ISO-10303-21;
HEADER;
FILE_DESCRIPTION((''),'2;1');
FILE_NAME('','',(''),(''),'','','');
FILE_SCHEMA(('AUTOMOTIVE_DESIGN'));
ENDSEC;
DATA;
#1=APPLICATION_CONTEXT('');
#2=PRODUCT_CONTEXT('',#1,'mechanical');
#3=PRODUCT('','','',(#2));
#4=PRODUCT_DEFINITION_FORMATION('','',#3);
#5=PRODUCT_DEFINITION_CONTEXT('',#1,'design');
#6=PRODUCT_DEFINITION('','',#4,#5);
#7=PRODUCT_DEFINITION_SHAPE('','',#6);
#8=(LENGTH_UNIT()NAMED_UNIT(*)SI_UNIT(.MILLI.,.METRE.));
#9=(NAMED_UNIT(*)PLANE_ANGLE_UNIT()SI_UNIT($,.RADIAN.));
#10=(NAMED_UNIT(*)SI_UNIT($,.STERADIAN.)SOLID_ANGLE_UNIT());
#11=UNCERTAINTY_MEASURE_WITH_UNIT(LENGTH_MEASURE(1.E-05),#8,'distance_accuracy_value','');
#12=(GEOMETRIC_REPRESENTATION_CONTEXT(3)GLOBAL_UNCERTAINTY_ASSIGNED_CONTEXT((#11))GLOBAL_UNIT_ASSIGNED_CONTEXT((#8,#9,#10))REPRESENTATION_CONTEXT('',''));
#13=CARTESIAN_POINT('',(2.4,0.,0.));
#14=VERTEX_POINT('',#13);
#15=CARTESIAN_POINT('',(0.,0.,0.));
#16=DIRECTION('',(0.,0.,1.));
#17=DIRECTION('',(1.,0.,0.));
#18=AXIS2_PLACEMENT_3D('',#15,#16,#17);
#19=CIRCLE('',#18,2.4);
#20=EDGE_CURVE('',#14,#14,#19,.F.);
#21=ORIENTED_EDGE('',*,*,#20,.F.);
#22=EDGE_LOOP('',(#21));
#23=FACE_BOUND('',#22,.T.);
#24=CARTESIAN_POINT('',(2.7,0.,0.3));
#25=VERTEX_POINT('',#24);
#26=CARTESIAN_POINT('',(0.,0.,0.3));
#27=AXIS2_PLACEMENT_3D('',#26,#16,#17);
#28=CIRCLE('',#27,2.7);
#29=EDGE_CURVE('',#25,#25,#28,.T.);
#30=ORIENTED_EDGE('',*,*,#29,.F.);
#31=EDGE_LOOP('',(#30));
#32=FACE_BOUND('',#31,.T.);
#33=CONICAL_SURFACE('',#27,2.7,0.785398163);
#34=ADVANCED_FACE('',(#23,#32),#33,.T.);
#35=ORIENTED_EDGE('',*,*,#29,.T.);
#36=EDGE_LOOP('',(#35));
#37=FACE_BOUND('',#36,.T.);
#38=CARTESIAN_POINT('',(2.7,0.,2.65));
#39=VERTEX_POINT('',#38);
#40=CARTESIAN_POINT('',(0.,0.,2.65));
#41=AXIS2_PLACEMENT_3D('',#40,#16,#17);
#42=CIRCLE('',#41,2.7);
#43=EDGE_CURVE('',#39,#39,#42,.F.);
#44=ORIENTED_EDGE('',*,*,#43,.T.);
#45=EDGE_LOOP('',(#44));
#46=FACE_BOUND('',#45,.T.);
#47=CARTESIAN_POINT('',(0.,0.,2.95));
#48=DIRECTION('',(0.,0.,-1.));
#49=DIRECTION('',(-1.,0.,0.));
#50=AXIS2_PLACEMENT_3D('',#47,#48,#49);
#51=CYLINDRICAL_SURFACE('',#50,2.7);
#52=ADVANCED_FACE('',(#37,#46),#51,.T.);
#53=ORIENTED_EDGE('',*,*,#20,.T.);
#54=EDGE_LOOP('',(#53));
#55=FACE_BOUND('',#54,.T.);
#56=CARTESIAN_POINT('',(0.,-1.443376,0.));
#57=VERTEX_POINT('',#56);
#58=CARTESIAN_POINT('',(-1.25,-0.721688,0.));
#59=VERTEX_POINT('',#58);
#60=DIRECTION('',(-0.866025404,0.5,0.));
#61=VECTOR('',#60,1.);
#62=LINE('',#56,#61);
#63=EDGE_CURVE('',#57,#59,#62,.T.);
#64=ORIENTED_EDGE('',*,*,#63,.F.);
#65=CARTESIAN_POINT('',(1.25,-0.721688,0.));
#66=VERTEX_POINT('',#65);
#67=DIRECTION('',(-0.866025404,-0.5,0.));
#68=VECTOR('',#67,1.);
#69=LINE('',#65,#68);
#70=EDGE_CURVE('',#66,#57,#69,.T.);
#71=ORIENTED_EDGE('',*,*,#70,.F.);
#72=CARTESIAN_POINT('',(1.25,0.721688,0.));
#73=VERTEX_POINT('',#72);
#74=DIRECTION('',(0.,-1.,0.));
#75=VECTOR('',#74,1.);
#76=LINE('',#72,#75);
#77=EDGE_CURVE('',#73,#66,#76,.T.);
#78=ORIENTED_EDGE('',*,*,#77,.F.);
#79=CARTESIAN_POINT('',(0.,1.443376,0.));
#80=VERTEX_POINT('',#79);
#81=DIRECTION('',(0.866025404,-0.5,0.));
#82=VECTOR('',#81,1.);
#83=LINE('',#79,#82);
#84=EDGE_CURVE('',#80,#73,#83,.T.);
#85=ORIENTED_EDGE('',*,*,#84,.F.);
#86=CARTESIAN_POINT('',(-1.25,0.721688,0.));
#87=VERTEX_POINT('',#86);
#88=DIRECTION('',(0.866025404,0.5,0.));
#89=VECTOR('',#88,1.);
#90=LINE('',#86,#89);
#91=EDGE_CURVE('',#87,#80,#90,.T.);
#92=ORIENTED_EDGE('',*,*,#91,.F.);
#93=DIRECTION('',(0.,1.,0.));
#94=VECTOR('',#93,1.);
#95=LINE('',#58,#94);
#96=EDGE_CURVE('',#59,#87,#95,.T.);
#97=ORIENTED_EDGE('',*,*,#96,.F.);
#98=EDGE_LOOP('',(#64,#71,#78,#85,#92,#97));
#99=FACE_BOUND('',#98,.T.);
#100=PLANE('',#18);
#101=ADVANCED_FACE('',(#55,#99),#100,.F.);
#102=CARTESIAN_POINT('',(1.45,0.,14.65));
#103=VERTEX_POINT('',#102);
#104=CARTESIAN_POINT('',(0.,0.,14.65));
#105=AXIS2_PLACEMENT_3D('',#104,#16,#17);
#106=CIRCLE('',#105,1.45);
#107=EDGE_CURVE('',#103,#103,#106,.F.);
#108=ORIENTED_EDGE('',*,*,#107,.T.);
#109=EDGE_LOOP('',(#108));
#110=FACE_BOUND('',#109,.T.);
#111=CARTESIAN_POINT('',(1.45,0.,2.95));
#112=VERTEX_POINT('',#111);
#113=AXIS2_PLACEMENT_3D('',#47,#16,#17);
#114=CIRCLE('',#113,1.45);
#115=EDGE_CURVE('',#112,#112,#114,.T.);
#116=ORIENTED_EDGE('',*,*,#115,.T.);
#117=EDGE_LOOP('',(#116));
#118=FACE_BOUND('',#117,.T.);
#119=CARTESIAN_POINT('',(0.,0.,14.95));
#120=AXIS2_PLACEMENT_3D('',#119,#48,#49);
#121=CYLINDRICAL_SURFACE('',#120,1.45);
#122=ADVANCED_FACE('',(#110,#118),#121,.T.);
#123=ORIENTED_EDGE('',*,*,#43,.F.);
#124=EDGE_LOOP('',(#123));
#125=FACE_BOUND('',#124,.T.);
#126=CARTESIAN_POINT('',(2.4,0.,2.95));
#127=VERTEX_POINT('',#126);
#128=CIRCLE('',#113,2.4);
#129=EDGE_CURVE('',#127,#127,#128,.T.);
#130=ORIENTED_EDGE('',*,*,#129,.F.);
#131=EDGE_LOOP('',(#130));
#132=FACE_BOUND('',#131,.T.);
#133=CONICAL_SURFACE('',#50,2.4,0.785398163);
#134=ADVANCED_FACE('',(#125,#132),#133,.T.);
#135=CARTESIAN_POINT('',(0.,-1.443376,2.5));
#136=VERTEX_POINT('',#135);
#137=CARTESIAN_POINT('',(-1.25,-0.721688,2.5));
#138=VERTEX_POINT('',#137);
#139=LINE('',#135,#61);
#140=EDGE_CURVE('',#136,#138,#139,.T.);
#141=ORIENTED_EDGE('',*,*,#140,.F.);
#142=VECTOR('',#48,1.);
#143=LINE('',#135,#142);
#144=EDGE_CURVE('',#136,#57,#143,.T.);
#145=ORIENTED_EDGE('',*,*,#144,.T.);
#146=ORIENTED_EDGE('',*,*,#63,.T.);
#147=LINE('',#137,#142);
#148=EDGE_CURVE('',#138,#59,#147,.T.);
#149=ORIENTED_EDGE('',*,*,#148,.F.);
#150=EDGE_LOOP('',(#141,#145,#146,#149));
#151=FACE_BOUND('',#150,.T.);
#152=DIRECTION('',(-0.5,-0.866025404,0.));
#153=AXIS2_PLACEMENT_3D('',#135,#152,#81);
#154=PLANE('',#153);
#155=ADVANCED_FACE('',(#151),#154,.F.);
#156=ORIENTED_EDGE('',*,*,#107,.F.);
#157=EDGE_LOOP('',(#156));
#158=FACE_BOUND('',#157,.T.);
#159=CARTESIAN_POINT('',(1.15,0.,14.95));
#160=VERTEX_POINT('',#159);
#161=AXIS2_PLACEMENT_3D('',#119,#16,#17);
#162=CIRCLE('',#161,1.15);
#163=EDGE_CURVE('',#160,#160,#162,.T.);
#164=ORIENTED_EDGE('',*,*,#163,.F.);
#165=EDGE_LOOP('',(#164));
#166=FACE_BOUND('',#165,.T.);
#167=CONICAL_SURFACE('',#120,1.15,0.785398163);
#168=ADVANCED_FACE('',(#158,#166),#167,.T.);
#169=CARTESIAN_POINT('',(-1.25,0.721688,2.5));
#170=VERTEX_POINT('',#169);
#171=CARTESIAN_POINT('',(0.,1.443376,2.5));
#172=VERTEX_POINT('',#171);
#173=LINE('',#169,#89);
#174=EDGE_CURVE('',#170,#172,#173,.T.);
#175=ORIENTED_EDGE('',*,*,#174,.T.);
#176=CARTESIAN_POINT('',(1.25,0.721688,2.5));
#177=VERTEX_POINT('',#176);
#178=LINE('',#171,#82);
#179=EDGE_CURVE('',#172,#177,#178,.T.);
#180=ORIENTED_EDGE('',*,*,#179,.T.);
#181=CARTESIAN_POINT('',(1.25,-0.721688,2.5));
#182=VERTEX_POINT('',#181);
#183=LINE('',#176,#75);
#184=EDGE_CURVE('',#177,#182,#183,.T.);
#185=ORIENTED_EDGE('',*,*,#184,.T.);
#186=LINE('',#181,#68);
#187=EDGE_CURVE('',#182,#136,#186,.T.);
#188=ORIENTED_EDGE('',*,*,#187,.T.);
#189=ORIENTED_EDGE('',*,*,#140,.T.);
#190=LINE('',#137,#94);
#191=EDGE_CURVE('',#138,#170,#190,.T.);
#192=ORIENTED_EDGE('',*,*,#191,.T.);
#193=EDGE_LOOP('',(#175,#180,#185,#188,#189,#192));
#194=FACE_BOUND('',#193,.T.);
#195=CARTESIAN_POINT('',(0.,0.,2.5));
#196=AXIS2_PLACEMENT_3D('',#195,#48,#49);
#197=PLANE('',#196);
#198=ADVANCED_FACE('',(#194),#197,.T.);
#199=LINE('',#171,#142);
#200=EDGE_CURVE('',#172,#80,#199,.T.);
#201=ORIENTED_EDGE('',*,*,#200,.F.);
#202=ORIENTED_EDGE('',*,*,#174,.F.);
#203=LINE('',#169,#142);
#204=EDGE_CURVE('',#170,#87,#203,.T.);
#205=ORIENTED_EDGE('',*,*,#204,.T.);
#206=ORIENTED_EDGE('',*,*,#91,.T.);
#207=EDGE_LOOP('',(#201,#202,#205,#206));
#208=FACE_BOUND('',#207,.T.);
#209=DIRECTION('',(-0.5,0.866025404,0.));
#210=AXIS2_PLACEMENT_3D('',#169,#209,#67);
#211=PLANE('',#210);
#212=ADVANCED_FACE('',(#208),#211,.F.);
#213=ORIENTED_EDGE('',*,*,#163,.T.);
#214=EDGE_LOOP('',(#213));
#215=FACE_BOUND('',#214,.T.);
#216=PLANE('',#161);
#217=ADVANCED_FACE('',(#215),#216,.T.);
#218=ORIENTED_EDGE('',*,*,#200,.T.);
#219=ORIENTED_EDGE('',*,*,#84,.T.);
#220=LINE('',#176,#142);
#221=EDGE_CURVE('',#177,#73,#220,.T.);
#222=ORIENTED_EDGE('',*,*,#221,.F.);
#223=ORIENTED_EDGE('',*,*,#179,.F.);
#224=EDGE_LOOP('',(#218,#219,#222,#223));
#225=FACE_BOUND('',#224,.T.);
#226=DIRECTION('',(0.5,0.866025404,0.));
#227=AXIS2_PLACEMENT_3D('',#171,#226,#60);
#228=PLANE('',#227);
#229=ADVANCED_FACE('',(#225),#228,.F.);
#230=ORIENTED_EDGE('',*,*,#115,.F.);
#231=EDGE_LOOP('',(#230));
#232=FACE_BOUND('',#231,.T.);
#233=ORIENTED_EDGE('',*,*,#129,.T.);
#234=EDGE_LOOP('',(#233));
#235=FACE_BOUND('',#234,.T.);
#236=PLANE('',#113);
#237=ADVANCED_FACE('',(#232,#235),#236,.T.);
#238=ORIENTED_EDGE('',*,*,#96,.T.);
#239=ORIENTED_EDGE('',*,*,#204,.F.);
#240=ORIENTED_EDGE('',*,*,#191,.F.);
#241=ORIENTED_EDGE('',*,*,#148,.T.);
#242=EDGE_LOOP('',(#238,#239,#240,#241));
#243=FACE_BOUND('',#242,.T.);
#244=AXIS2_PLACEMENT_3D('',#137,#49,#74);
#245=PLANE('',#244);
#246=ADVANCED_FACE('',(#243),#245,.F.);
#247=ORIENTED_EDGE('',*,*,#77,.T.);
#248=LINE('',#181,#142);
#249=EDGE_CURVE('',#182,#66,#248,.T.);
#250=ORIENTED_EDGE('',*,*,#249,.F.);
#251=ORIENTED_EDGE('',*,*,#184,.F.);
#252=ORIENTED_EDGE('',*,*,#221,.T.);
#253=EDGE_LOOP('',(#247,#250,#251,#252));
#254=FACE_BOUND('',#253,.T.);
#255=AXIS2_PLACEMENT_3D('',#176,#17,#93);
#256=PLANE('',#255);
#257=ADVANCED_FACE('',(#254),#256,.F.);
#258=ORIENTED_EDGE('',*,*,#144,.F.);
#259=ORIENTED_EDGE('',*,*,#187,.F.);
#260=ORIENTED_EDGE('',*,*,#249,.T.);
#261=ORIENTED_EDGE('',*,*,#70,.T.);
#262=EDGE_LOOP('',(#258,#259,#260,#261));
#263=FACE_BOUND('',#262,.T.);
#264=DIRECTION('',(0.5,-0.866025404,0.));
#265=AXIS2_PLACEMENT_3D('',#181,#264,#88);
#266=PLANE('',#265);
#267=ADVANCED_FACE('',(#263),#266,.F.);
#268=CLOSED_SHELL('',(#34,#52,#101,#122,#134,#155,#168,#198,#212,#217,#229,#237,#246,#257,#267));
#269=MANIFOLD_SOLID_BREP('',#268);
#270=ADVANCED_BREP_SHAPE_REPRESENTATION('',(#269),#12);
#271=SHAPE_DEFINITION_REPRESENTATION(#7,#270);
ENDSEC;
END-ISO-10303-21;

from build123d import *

# Parameters (mm, degrees)
SKIZZE1_R                       = 2.7
AUFSATZ_LINEAR_AUSTRAGEN1_DEPTH = 2.95
SKIZZE2_R                       = 1.45
AUFSATZ_LINEAR_AUSTRAGEN2_DEPTH = 12
FASE1_SIZE                      = 0.3
SCHNITT_LINEAR_AUSTRAGEN1_DEPTH = 2.5


with BuildPart() as part:
    # Skizze1 → Aufsatz-Linear austragen1 (new body)
    with BuildSketch(Plane.XY):
        Circle(SKIZZE1_R)
    extrude(amount=AUFSATZ_LINEAR_AUSTRAGEN1_DEPTH)

    # Skizze2 → Aufsatz-Linear austragen2 (add)
    with BuildSketch(Plane.XY.offset(2.95)):
        Circle(SKIZZE2_R)
    extrude(amount=AUFSATZ_LINEAR_AUSTRAGEN2_DEPTH)

    # Fase1
    fase1_edges = [part.edges().sort_by_distance(p)[0] for p in [
        (-2.7, 0, 0),
        (-2.7, 0, 2.95),
        (-1.45, 0, 14.95),
    ]]
    chamfer(fase1_edges, length=FASE1_SIZE)

    # Skizze3 → Schnitt-Linear austragen1 (cut)
    with BuildSketch(Plane(origin=(0, 0, 0), x_dir=(-1, 0, 0), z_dir=(0, 0, -1))):
        Polygon((1.25, 0.721687836), (0, 1.443375673), (-1.25, 0.721687836), (-1.25, -0.721687836), (0, -1.443375673), (1.25, -0.721687836), align=None)
    extrude(amount=-SCHNITT_LINEAR_AUSTRAGEN1_DEPTH, mode=Mode.SUBTRACT)


solid = part.part
